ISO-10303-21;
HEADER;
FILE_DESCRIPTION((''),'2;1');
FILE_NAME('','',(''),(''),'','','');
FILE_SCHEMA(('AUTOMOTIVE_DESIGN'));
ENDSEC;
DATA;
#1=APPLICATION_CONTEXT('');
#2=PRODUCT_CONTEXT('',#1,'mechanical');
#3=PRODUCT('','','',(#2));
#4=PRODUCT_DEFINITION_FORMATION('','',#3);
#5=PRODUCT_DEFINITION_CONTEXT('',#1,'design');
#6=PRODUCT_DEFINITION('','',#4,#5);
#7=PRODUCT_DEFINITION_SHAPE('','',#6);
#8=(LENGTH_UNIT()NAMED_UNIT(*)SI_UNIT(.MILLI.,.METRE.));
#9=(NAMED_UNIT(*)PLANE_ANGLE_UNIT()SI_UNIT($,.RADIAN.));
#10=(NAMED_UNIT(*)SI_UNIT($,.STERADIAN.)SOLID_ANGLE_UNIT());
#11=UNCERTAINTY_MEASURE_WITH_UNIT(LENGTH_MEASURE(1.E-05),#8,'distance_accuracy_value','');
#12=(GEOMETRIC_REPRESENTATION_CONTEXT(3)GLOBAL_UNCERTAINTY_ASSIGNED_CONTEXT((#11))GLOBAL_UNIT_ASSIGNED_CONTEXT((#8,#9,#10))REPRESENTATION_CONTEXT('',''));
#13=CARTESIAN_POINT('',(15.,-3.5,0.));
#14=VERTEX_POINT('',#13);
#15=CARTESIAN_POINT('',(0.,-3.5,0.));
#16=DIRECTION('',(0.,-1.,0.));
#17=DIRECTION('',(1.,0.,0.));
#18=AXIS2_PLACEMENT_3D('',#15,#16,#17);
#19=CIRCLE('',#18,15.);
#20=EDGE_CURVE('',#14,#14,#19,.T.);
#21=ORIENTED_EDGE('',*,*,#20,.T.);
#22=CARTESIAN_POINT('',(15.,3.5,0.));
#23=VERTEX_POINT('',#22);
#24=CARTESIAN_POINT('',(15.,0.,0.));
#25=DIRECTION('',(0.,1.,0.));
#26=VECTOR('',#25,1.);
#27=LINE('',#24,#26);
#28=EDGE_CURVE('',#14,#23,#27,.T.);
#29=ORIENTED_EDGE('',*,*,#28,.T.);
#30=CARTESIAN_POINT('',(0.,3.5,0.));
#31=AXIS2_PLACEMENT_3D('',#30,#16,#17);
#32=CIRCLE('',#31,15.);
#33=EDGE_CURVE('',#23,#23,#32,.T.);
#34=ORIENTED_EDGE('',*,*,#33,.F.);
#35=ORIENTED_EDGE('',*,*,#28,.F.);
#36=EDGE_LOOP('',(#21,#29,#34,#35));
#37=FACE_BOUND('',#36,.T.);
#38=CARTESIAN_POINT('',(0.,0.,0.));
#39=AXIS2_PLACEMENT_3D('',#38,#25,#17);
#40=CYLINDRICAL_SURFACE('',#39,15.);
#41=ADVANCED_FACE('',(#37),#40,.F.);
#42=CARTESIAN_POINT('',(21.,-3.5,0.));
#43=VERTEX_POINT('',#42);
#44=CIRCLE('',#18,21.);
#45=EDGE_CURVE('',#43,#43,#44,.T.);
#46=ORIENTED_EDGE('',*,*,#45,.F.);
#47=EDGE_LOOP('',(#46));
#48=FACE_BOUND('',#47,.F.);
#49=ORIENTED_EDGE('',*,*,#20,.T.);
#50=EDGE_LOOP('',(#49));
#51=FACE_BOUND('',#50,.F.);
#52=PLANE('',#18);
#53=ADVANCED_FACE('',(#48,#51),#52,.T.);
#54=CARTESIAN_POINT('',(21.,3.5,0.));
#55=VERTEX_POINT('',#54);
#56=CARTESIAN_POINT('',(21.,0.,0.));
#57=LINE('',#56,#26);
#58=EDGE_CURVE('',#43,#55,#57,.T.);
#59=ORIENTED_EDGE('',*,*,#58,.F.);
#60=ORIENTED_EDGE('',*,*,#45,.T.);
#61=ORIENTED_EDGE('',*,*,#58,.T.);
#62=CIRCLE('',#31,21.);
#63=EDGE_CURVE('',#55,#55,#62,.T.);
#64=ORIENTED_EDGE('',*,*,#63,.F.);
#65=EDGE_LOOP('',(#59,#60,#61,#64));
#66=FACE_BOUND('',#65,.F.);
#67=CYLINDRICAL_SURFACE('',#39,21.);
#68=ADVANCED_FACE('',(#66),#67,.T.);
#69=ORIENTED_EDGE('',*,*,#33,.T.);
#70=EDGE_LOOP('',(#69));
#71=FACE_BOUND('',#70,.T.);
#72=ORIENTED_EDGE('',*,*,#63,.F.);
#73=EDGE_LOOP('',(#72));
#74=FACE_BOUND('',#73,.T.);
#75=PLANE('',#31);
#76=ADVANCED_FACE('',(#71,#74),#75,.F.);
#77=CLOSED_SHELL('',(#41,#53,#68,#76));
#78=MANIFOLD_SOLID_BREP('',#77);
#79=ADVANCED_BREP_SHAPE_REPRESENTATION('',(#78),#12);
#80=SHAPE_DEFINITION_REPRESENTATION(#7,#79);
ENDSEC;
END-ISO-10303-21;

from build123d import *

# Parameters (mm, degrees)
SKETCH1_W = 6
SKETCH1_H = 7


with BuildPart() as part:
    # Sketch1 → Revolve1 (revolve)
    with BuildSketch(Plane.XY):
        with Locations((18, 0)):
            Rectangle(SKETCH1_W, SKETCH1_H)
    revolve(axis=Axis((0, 3.5, 0), (0, -1, 0)))


solid = part.part
